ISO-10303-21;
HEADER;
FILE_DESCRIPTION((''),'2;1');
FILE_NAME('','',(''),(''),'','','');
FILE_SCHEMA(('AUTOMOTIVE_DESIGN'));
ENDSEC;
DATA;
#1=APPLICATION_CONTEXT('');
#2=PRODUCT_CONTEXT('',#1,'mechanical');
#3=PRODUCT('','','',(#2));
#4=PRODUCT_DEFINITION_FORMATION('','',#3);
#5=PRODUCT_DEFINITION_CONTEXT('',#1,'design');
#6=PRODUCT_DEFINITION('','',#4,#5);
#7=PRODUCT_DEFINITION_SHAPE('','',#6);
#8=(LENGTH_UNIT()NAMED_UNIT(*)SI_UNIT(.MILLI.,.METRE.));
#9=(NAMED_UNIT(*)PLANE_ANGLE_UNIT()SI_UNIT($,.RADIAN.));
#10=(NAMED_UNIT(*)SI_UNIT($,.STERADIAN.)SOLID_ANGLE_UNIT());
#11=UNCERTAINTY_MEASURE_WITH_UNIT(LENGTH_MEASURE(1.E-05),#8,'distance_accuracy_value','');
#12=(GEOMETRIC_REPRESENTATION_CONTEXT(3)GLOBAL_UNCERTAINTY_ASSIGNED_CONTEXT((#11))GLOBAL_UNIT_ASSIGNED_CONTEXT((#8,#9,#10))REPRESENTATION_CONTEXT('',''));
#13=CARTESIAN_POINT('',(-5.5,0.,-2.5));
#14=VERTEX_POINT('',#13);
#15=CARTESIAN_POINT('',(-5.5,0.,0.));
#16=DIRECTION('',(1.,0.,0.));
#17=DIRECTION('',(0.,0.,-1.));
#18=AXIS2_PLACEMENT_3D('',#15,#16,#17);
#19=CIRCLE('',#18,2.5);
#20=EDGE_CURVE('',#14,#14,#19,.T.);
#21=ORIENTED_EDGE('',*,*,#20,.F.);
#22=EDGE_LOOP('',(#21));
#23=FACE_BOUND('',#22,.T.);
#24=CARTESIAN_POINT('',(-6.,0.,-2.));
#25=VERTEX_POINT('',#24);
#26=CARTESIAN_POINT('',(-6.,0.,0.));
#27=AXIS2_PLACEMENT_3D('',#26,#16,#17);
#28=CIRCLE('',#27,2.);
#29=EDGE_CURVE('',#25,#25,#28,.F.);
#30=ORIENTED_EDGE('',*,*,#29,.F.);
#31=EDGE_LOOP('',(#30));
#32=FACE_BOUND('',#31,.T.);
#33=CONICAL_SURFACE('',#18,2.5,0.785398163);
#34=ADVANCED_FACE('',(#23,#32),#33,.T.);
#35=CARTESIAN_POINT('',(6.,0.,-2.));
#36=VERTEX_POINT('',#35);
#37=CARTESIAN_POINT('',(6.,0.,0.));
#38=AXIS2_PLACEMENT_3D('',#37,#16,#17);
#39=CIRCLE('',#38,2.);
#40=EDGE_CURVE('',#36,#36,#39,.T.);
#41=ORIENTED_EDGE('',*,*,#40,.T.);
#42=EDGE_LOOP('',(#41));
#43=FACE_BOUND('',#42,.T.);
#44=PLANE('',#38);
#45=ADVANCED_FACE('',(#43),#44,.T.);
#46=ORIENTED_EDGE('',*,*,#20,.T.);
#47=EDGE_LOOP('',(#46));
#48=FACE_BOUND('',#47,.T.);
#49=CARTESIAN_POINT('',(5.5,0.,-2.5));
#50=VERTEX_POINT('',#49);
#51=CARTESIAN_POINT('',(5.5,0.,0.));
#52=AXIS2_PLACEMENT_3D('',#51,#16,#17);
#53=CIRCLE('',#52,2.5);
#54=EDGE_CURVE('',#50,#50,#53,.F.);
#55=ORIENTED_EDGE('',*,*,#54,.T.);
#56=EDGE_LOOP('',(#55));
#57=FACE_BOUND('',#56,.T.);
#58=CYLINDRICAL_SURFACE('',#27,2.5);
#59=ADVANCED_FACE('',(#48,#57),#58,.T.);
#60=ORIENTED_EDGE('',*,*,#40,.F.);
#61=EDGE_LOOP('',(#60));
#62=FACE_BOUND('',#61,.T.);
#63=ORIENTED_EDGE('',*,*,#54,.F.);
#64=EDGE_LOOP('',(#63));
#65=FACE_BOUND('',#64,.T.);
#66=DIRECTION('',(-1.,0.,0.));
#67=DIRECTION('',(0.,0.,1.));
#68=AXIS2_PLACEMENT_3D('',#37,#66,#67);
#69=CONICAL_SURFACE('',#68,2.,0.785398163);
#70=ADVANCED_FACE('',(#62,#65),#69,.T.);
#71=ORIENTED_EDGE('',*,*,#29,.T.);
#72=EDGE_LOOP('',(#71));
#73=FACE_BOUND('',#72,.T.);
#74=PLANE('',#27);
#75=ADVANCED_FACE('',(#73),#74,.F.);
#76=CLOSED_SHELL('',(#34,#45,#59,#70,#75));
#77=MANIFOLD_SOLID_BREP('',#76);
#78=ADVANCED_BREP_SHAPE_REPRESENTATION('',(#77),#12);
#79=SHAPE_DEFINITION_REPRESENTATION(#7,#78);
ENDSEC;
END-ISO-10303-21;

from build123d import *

# Parameters (mm, degrees)
SKETCH2_R           = 2.5
BOSS_EXTRUDE1_DEPTH = 6
CHAMFER2_SIZE       = 0.5


with BuildPart() as part:
    # Sketch2 → Boss-Extrude1 (new, symmetric)
    with BuildSketch(Plane(origin=(0, 0, 0), x_dir=(0, 0, -1), z_dir=(1, 0, 0))):
        Circle(SKETCH2_R)
    extrude(amount=BOSS_EXTRUDE1_DEPTH, both=True)

    # Chamfer2
    chamfer2_edges = [part.edges().sort_by_distance(p)[0] for p in [
        (6, 0, 2.5),
        (-6, 0, 2.5),
    ]]
    chamfer(chamfer2_edges, length=CHAMFER2_SIZE)


solid = part.part
